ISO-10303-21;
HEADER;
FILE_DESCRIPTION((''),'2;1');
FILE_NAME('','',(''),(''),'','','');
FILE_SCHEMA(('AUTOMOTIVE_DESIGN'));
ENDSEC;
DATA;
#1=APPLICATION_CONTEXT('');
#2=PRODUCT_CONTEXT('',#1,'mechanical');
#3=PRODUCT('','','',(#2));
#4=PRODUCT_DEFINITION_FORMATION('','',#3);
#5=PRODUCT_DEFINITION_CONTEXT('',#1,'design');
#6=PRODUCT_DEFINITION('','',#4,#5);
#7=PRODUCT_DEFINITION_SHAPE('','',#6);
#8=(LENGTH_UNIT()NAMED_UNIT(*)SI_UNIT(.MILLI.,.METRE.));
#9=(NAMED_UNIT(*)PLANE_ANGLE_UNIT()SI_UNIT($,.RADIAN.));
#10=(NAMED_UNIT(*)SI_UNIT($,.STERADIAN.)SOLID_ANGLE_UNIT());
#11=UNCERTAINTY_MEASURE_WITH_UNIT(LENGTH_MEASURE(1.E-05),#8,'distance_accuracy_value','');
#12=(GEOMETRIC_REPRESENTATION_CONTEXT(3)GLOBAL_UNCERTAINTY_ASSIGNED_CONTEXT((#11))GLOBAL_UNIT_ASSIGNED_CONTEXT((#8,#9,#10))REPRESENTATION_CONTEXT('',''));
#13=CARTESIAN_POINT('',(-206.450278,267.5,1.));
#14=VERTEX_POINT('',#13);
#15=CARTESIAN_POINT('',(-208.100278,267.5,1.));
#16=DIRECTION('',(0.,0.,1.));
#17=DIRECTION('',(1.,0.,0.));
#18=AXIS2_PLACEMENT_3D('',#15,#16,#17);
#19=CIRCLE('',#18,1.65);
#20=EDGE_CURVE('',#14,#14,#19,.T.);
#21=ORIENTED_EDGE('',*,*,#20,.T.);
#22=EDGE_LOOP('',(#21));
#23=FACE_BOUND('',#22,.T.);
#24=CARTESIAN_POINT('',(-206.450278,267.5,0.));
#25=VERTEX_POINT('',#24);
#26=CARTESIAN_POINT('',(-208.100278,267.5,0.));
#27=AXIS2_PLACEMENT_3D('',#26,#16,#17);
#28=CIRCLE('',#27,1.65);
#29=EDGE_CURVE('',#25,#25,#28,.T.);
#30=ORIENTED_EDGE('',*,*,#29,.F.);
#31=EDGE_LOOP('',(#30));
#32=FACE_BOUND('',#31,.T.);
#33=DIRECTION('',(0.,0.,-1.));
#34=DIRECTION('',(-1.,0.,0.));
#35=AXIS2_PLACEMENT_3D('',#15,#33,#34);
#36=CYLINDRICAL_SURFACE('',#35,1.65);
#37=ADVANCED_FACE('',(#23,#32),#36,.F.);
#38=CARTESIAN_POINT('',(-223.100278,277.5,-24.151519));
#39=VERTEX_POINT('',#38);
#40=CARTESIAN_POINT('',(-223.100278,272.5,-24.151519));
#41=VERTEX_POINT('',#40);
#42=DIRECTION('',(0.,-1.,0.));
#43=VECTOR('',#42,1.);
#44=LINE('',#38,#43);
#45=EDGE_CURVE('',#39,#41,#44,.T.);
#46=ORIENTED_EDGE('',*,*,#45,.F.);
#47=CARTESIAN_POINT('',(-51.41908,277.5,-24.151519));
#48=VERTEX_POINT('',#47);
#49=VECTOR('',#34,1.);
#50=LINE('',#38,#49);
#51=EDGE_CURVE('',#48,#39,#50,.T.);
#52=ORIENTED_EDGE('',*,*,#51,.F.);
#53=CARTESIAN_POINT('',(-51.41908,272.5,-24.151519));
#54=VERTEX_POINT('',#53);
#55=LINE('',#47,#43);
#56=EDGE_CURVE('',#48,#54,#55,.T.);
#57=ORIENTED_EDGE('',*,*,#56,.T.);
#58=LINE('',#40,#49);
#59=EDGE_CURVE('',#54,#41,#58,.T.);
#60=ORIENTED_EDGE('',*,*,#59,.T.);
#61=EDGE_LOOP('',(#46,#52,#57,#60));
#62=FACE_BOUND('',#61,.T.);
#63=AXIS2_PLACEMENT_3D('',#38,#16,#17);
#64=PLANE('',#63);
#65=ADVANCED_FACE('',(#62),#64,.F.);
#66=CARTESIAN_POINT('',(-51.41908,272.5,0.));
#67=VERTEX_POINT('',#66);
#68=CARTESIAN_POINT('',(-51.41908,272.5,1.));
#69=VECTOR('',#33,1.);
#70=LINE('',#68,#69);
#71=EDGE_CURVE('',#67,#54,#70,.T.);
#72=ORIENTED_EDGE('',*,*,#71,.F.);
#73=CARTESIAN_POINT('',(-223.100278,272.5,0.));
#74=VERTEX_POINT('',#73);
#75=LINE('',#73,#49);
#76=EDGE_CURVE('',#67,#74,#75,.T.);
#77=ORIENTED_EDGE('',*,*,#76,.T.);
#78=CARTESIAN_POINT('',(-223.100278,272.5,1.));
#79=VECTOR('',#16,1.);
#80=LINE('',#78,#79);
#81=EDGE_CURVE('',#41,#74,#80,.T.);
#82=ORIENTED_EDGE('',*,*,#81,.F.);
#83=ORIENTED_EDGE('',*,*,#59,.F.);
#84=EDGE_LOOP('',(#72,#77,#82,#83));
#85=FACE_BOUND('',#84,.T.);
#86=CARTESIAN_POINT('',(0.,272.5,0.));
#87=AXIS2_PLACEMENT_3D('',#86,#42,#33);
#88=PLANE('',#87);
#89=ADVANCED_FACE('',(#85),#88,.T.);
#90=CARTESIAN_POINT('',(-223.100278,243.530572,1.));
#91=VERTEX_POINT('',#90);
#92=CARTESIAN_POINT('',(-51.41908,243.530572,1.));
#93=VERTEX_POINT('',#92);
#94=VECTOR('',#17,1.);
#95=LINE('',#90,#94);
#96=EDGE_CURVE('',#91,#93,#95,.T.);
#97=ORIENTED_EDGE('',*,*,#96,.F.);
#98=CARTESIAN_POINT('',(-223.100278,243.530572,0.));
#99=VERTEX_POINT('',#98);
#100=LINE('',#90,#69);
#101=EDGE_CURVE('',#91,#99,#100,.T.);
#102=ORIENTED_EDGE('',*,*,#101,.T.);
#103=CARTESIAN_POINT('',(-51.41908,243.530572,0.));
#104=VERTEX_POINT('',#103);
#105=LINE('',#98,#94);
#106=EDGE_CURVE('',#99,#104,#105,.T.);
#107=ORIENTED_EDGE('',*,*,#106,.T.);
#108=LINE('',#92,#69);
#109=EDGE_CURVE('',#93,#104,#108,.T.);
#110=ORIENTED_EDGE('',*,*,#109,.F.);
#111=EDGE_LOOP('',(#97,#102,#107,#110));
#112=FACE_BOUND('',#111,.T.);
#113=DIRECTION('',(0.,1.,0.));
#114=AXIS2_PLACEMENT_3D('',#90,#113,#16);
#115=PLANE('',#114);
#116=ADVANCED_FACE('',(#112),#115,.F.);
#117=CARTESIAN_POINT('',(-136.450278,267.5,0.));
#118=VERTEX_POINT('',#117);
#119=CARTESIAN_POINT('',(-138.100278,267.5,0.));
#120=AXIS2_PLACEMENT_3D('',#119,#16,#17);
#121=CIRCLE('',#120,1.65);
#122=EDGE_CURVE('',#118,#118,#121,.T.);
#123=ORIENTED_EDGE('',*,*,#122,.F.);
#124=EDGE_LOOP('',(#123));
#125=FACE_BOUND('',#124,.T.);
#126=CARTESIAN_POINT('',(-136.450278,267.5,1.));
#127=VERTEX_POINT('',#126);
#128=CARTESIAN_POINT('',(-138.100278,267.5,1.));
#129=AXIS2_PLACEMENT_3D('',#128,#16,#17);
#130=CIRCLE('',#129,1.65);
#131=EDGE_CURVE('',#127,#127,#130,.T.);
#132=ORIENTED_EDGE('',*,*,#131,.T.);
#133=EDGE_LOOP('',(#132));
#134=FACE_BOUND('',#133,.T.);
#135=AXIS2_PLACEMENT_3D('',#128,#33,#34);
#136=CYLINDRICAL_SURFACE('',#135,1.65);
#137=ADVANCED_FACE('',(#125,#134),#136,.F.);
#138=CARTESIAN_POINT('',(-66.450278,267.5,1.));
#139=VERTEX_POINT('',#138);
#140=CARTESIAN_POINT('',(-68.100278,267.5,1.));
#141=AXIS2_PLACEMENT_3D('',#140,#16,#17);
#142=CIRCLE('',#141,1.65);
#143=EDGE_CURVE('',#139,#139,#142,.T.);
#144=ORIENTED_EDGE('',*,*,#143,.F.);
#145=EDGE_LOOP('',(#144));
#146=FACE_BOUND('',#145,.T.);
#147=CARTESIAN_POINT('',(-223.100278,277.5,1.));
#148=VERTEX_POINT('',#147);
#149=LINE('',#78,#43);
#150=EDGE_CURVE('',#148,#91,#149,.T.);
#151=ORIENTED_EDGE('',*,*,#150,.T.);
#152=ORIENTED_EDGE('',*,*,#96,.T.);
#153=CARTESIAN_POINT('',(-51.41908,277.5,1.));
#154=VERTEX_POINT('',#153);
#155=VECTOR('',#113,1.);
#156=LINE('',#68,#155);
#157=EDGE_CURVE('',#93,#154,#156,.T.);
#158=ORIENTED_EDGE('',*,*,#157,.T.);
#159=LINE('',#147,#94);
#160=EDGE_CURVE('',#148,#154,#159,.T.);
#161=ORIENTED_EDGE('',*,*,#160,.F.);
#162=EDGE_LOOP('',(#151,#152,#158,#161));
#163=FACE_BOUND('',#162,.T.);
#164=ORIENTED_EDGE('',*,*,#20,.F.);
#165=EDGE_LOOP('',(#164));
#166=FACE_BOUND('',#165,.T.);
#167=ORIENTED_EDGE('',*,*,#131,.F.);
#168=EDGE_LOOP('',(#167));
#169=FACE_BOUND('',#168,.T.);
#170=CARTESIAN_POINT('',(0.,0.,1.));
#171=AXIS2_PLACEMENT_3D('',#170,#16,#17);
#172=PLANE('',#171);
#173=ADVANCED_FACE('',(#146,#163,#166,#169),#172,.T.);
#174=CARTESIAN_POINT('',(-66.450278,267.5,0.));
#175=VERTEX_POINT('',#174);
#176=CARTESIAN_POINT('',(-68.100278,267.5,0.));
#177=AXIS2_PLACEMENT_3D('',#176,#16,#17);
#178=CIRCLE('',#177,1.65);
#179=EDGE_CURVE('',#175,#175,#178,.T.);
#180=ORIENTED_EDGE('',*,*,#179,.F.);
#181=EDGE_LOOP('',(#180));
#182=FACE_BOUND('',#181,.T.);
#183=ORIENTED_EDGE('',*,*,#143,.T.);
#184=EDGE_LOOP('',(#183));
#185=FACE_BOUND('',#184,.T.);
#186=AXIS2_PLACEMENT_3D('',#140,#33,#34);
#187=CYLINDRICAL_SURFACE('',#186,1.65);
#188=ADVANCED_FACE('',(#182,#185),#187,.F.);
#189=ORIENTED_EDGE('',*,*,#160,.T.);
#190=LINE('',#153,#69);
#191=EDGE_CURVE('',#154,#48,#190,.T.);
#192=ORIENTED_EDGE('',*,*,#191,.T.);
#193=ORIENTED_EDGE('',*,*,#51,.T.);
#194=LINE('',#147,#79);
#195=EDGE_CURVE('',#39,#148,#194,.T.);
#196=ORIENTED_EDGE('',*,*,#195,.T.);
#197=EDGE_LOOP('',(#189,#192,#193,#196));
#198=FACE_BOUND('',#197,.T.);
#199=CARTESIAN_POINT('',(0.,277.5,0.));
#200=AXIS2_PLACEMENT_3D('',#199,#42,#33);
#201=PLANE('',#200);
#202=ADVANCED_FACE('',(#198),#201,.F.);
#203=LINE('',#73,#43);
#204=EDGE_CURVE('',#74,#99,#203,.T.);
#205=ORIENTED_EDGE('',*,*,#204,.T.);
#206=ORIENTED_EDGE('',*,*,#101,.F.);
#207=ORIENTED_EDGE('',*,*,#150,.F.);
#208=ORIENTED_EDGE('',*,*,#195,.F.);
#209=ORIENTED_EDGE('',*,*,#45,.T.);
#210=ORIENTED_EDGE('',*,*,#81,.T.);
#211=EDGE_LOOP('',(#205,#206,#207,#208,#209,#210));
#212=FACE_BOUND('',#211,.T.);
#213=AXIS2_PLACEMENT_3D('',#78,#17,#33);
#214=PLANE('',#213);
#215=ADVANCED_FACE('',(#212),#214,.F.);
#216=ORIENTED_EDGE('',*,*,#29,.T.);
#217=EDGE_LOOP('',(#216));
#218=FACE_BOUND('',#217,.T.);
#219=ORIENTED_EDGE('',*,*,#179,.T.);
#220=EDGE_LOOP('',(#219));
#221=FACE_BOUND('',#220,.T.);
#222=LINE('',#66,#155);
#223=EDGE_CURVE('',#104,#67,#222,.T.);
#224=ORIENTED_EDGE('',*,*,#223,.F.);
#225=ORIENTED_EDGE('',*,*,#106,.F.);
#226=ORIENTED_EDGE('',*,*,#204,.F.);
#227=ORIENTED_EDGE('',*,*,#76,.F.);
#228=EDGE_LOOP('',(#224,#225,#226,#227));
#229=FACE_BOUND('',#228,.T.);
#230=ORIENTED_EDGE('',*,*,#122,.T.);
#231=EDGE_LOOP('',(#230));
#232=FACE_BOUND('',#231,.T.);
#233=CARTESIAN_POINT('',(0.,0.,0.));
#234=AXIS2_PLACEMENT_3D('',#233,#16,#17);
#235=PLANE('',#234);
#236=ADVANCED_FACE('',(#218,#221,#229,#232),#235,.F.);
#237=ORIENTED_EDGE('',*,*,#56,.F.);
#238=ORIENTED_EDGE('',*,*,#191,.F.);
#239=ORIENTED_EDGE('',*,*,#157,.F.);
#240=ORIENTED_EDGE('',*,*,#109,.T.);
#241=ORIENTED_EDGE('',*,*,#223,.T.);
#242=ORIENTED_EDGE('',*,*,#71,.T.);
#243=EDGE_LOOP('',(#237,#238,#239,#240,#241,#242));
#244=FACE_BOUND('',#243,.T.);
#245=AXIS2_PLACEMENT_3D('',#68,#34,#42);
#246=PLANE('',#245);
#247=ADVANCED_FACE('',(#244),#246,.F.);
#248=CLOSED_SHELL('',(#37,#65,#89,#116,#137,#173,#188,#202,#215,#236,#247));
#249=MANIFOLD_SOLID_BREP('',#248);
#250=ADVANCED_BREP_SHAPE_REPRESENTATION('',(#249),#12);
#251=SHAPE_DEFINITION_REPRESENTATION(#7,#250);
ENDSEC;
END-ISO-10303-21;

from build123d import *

# Parameters (mm, degrees)
SKETCH1_W           = 171.681197847
SKETCH1_H           = 28.969428325
SKETCH1_R           = 1.65
BOSS_EXTRUDE1_DEPTH = 1
SKETCH7_W           = 171.681197847
SKETCH7_H           = 25.151518983
BOSS_EXTRUDE2_DEPTH = 5


with BuildPart() as part:
    # Sketch1 → Boss-Extrude1 (new body)
    with BuildSketch(Plane.XY):
        with Locations((-137.259678888, 258.015285838)):
            Rectangle(SKETCH1_W, SKETCH1_H)
        with Locations((-208.100277812, 267.5)):
            Circle(SKETCH1_R, mode=Mode.SUBTRACT)
        with Locations((-138.100277812, 267.5)):
            Circle(SKETCH1_R, mode=Mode.SUBTRACT)
        with Locations((-68.100277811, 267.5)):
            Circle(SKETCH1_R, mode=Mode.SUBTRACT)
    extrude(amount=BOSS_EXTRUDE1_DEPTH)

    # Sketch7 → Boss-Extrude2 (add)
    with BuildSketch(Plane(origin=(0, 272.5, 0), x_dir=(1, 0, 0), z_dir=(0, 1, 0))):
        with Locations((-137.259678888, 11.575759492)):
            Rectangle(SKETCH7_W, SKETCH7_H)
    extrude(amount=BOSS_EXTRUDE2_DEPTH)


solid = part.part
